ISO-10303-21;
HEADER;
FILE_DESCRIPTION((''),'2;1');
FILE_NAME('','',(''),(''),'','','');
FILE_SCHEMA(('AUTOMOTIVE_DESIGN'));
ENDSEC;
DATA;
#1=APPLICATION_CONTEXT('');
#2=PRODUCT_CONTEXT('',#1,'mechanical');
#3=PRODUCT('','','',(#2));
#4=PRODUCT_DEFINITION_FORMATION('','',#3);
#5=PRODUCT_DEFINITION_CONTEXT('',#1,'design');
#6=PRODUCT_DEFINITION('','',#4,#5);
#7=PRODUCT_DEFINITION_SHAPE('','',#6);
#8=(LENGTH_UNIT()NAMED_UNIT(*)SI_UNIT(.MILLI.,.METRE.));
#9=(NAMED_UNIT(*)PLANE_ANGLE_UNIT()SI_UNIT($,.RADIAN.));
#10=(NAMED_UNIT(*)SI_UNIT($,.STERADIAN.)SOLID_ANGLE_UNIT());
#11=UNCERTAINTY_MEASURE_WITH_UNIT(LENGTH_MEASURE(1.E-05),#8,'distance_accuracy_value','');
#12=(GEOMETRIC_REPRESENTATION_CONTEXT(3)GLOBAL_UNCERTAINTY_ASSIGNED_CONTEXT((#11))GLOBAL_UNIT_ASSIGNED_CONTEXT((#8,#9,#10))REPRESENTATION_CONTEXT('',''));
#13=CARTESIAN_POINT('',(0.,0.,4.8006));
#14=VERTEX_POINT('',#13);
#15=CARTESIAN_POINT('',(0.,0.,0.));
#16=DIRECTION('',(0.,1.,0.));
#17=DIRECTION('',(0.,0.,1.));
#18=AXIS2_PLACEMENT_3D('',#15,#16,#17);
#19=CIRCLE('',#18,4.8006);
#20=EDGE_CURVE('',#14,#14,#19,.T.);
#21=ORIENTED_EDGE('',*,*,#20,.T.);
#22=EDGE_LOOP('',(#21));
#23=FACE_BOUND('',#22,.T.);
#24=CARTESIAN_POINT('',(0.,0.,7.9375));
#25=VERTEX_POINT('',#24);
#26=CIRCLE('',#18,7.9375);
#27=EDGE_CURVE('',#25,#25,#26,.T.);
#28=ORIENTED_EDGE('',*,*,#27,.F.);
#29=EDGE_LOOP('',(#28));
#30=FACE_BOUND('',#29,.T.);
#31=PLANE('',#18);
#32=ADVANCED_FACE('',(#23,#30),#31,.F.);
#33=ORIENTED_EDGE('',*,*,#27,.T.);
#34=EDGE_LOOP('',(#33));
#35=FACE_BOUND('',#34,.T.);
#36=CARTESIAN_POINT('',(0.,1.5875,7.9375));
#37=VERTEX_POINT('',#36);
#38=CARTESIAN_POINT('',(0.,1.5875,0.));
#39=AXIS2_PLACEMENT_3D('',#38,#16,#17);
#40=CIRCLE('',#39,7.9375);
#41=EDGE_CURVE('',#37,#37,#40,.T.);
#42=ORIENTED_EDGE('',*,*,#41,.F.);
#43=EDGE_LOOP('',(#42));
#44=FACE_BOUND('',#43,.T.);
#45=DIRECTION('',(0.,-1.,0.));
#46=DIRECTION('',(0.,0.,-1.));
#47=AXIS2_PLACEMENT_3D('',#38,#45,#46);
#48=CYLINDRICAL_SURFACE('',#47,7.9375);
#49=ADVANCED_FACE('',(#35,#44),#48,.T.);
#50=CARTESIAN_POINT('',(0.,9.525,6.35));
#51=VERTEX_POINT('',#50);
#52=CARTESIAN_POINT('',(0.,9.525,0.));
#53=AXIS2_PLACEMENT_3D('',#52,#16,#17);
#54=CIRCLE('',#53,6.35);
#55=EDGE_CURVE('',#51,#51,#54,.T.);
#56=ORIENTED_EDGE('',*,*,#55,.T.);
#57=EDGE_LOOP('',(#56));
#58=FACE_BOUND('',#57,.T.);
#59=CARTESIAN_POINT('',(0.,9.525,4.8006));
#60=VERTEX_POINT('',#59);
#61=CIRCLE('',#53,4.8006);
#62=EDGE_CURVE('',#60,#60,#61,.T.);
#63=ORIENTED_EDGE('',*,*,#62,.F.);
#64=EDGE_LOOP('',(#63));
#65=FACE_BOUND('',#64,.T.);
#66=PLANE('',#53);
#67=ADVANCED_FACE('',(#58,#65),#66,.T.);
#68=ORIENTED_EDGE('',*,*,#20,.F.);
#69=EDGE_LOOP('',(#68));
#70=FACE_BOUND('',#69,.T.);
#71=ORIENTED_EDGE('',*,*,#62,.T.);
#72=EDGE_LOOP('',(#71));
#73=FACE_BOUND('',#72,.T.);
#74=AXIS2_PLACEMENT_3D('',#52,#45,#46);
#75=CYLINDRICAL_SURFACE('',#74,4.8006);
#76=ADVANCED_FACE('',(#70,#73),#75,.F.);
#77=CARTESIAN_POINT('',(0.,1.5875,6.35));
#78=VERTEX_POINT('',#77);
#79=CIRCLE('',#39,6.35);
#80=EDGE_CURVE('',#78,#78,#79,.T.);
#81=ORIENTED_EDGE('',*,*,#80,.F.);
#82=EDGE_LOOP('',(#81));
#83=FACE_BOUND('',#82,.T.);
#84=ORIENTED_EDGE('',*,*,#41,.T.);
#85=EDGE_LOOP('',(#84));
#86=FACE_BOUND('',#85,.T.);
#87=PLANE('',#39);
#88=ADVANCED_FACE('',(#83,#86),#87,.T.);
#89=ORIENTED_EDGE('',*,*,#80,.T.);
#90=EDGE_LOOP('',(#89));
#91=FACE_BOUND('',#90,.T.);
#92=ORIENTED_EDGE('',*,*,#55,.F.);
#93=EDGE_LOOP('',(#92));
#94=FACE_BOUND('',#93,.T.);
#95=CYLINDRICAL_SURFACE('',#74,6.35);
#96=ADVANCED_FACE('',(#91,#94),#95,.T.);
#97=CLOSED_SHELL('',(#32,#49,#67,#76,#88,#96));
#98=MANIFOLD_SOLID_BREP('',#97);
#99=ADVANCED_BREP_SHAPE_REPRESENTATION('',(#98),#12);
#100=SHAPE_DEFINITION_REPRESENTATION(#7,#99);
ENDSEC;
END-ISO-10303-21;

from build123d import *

# Parameters (mm, degrees)
SKETCH2_R           = 6.35
SKETCH2_R_2         = 4.8006
BOSS_EXTRUDE1_DEPTH = 9.525
SKETCH3_R           = 7.9375
SKETCH3_R_2         = 6.35
BOSS_EXTRUDE2_DEPTH = 1.5875


with BuildPart() as part:
    # Sketch2 → Boss-Extrude1 (new body)
    with BuildSketch(Plane(origin=(0, 0, 0), x_dir=(1, 0, 0), z_dir=(0, 1, 0))):
        Circle(SKETCH2_R)
        Circle(SKETCH2_R_2, mode=Mode.SUBTRACT)
    extrude(amount=BOSS_EXTRUDE1_DEPTH)

    # Sketch3 → Boss-Extrude2 (add)
    with BuildSketch(Plane(origin=(0, 0, 0), x_dir=(1, 0, 0), z_dir=(0, 1, 0))):
        Circle(SKETCH3_R)
        Circle(SKETCH3_R_2, mode=Mode.SUBTRACT)
    extrude(amount=BOSS_EXTRUDE2_DEPTH)


solid = part.part
